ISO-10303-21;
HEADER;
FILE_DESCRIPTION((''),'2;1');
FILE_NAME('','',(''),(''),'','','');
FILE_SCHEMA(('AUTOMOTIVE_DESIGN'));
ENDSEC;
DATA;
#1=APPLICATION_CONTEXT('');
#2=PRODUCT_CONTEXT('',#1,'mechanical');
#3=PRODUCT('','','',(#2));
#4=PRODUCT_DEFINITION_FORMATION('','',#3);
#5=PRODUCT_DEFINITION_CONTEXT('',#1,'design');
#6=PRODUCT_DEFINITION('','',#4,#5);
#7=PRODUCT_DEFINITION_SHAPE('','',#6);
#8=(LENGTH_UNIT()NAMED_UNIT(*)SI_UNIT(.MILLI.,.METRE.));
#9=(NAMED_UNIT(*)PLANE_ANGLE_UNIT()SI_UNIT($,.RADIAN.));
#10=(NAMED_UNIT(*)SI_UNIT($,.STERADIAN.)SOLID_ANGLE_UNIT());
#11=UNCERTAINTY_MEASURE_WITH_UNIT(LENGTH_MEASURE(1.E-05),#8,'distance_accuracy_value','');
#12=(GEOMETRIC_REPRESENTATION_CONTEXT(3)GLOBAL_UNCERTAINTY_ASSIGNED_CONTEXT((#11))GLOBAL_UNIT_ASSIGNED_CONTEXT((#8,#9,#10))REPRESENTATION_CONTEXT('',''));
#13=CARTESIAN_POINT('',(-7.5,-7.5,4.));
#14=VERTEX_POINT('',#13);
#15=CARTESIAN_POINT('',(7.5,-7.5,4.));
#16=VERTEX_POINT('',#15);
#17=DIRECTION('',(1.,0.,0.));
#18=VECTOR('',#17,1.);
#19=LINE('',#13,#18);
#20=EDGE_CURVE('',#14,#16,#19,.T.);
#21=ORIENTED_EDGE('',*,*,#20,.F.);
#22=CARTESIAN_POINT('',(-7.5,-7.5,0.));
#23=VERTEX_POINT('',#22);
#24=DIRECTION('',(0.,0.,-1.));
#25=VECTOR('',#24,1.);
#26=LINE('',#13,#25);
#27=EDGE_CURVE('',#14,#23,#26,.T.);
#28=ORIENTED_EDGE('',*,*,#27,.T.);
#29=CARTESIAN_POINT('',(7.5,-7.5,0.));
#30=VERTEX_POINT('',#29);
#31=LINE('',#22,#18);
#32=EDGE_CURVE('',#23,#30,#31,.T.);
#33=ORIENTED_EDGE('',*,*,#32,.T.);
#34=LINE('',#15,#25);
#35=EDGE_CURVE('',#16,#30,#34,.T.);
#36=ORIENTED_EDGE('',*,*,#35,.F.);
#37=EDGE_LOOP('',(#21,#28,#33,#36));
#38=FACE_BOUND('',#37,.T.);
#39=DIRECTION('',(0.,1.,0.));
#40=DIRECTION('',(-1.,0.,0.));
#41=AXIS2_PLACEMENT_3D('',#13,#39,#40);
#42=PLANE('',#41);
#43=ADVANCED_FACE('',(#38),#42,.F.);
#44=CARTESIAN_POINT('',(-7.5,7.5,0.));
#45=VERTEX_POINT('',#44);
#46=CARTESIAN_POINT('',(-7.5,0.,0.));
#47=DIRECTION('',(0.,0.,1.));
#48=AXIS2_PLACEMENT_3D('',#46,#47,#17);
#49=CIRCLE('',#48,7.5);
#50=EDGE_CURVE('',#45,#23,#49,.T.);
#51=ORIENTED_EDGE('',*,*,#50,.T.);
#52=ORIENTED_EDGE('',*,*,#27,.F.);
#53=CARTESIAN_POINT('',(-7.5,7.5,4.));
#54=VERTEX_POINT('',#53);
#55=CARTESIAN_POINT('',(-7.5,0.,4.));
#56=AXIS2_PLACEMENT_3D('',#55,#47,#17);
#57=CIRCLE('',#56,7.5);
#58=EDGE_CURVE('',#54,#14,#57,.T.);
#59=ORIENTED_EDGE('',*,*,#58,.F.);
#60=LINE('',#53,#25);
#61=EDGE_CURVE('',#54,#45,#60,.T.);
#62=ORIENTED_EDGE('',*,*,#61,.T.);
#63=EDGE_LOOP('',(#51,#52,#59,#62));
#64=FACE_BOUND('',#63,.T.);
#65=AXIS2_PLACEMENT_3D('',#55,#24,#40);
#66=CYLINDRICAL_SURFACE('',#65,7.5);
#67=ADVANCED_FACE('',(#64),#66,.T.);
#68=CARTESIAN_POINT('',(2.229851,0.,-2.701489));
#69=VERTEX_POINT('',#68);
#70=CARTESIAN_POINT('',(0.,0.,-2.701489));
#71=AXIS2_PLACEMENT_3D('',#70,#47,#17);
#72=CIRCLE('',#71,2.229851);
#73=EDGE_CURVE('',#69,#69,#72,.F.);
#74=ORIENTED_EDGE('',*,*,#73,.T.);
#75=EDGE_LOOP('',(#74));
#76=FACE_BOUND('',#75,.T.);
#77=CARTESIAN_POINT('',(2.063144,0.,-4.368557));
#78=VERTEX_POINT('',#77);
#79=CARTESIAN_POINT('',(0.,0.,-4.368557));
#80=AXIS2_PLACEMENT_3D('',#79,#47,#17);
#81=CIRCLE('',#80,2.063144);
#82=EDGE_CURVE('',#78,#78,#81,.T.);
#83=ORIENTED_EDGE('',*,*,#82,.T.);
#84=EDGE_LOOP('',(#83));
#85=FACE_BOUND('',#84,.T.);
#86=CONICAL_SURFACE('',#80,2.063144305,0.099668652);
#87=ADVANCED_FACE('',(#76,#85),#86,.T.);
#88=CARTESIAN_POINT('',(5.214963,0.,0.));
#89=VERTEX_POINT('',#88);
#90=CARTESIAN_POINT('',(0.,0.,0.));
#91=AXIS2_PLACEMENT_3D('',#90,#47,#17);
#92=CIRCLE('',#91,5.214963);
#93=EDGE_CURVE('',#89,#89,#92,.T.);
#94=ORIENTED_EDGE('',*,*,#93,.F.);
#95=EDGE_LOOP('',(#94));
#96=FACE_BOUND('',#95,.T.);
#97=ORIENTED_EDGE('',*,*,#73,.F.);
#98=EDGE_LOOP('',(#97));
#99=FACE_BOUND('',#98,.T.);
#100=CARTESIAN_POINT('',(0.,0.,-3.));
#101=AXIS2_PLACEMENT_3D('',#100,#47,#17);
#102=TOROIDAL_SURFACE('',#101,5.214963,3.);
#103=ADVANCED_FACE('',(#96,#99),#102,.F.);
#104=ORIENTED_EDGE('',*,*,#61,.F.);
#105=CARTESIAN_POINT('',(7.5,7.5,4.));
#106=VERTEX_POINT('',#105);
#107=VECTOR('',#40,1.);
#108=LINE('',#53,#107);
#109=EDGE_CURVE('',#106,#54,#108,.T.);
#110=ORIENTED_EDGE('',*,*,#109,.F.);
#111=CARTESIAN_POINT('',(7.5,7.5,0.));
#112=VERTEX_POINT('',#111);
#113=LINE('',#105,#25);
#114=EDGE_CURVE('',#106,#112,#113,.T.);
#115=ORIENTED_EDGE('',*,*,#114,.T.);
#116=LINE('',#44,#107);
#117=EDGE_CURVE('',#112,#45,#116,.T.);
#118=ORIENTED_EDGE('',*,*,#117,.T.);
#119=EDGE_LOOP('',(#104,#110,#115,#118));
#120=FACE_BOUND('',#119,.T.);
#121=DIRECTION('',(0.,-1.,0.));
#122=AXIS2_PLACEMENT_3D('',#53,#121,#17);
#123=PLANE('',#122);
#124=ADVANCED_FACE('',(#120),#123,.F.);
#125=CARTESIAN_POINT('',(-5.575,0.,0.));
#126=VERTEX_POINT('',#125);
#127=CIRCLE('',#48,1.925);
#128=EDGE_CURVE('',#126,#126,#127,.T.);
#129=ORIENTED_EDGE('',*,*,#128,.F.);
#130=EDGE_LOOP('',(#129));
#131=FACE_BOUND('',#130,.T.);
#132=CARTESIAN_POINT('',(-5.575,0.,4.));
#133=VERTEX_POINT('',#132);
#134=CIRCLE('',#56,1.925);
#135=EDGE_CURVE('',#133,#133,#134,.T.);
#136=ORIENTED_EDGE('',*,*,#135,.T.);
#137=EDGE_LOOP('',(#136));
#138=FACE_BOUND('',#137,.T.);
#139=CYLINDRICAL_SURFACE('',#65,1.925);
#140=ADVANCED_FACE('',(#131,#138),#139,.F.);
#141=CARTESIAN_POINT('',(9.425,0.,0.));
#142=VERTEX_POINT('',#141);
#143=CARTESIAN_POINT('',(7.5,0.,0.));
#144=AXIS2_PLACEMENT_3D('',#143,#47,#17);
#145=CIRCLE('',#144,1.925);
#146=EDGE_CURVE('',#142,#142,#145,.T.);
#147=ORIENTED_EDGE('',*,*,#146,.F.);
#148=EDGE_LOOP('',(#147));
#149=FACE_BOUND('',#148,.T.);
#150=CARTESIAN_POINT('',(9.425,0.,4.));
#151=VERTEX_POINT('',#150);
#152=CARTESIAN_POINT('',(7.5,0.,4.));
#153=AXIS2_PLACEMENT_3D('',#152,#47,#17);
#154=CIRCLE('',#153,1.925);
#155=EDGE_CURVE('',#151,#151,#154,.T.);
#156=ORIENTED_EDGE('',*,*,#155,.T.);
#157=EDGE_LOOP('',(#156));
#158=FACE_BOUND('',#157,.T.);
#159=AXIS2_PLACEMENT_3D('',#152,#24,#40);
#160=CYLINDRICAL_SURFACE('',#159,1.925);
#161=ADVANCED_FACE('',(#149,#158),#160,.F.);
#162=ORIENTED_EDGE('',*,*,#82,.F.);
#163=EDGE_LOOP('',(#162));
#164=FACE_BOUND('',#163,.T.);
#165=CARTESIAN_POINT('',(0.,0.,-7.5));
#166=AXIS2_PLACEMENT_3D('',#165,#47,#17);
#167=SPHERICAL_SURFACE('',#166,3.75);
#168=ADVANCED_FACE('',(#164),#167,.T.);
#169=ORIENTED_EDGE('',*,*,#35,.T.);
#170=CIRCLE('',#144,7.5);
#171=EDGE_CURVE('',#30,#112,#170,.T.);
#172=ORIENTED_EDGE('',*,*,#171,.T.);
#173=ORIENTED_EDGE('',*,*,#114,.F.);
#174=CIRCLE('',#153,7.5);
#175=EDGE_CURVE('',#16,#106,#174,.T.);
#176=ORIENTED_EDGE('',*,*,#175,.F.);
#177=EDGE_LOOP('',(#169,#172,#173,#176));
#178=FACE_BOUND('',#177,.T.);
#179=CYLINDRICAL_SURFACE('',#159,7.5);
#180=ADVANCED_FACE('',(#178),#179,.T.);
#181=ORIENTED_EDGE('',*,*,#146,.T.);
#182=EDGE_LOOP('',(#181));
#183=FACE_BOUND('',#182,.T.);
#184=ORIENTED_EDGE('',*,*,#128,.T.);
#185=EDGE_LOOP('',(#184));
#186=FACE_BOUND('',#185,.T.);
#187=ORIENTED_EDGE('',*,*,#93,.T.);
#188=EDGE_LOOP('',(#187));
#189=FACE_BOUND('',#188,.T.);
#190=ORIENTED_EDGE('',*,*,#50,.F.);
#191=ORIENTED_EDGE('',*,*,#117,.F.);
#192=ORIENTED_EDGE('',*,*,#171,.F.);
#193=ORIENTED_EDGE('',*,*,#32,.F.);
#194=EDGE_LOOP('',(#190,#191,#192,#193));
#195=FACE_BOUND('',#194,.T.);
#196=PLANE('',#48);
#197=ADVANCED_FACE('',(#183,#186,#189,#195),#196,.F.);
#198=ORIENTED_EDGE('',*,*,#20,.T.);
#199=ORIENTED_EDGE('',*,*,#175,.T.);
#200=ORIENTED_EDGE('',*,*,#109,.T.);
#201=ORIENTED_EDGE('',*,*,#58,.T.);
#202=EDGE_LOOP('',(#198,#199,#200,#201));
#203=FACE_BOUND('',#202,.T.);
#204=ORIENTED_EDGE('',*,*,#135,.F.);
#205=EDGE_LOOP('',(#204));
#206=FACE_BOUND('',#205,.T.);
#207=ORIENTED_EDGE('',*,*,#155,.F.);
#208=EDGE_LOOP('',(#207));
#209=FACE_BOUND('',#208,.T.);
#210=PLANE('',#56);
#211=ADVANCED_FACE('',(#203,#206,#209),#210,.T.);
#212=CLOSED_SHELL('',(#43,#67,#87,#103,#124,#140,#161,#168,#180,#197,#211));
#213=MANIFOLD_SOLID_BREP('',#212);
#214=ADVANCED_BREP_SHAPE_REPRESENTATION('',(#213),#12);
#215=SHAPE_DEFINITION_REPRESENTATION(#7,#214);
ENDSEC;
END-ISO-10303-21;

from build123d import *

# Parameters (mm, degrees)
SKETCH1_R           = 1.925
BOSS_EXTRUDE1_DEPTH = 4
FILLET1_R           = 3


with BuildPart() as part:
    # Sketch1 → Boss-Extrude1 (new body)
    with BuildSketch(Plane.XY):
        with BuildLine():
            Line((-7.5, 7.5), (7.5, 7.5))
            ThreePointArc((7.5, 7.5), (15, 0), (7.5, -7.5))
            Line((7.5, -7.5), (-7.5, -7.5))
            ThreePointArc((-7.5, -7.5), (-15, 0), (-7.5, 7.5))
        make_face()
        with Locations((7.5, 0)):
            Circle(SKETCH1_R, mode=Mode.SUBTRACT)
        with Locations((-7.5, 0)):
            Circle(SKETCH1_R, mode=Mode.SUBTRACT)
    extrude(amount=BOSS_EXTRUDE1_DEPTH)

    # Sketch3 → Revolve1 (revolve)
    with BuildSketch(Plane(origin=(0, 0, 0), x_dir=(1, 0, 0), z_dir=(0, 1, 0))):
        with BuildLine():
            Line((0, 11.25), (0, 7.5))
            Line((0, 7.5), (1.75, 7.5))
            Line((1.75, 7.5), (2.063144305, 4.36855695))
            ThreePointArc((2.063144305, 4.36855695), (3.592033647, 8.576937454), (0, 11.25))
        make_face()
        with BuildLine():
            Line((1.75, 7.5), (0, 7.5))
            Line((0, 7.5), (0, 3.75))
            ThreePointArc((0, 3.75), (1.076937454, 3.907966353), (2.063144305, 4.36855695))
            Line((2.063144305, 4.36855695), (1.75, 7.5))
        make_face()
        with BuildLine():
            ThreePointArc((2.063144305, 4.36855695), (1.076937454, 3.907966353), (0, 3.75))
            Line((0, 3.75), (0, 0))
            Line((0, 0), (2.5, 0))
            Line((2.5, 0), (2.063144305, 4.36855695))
        make_face()
    revolve(axis=Axis((0, 0, 0), (0, 0, -1)))

    # Fillet1
    fillet1_edges = [part.edges().sort_by_distance(p)[0] for p in [
        (-2.5, 0, 0),
    ]]
    fillet(fillet1_edges, radius=FILLET1_R)


solid = part.part
